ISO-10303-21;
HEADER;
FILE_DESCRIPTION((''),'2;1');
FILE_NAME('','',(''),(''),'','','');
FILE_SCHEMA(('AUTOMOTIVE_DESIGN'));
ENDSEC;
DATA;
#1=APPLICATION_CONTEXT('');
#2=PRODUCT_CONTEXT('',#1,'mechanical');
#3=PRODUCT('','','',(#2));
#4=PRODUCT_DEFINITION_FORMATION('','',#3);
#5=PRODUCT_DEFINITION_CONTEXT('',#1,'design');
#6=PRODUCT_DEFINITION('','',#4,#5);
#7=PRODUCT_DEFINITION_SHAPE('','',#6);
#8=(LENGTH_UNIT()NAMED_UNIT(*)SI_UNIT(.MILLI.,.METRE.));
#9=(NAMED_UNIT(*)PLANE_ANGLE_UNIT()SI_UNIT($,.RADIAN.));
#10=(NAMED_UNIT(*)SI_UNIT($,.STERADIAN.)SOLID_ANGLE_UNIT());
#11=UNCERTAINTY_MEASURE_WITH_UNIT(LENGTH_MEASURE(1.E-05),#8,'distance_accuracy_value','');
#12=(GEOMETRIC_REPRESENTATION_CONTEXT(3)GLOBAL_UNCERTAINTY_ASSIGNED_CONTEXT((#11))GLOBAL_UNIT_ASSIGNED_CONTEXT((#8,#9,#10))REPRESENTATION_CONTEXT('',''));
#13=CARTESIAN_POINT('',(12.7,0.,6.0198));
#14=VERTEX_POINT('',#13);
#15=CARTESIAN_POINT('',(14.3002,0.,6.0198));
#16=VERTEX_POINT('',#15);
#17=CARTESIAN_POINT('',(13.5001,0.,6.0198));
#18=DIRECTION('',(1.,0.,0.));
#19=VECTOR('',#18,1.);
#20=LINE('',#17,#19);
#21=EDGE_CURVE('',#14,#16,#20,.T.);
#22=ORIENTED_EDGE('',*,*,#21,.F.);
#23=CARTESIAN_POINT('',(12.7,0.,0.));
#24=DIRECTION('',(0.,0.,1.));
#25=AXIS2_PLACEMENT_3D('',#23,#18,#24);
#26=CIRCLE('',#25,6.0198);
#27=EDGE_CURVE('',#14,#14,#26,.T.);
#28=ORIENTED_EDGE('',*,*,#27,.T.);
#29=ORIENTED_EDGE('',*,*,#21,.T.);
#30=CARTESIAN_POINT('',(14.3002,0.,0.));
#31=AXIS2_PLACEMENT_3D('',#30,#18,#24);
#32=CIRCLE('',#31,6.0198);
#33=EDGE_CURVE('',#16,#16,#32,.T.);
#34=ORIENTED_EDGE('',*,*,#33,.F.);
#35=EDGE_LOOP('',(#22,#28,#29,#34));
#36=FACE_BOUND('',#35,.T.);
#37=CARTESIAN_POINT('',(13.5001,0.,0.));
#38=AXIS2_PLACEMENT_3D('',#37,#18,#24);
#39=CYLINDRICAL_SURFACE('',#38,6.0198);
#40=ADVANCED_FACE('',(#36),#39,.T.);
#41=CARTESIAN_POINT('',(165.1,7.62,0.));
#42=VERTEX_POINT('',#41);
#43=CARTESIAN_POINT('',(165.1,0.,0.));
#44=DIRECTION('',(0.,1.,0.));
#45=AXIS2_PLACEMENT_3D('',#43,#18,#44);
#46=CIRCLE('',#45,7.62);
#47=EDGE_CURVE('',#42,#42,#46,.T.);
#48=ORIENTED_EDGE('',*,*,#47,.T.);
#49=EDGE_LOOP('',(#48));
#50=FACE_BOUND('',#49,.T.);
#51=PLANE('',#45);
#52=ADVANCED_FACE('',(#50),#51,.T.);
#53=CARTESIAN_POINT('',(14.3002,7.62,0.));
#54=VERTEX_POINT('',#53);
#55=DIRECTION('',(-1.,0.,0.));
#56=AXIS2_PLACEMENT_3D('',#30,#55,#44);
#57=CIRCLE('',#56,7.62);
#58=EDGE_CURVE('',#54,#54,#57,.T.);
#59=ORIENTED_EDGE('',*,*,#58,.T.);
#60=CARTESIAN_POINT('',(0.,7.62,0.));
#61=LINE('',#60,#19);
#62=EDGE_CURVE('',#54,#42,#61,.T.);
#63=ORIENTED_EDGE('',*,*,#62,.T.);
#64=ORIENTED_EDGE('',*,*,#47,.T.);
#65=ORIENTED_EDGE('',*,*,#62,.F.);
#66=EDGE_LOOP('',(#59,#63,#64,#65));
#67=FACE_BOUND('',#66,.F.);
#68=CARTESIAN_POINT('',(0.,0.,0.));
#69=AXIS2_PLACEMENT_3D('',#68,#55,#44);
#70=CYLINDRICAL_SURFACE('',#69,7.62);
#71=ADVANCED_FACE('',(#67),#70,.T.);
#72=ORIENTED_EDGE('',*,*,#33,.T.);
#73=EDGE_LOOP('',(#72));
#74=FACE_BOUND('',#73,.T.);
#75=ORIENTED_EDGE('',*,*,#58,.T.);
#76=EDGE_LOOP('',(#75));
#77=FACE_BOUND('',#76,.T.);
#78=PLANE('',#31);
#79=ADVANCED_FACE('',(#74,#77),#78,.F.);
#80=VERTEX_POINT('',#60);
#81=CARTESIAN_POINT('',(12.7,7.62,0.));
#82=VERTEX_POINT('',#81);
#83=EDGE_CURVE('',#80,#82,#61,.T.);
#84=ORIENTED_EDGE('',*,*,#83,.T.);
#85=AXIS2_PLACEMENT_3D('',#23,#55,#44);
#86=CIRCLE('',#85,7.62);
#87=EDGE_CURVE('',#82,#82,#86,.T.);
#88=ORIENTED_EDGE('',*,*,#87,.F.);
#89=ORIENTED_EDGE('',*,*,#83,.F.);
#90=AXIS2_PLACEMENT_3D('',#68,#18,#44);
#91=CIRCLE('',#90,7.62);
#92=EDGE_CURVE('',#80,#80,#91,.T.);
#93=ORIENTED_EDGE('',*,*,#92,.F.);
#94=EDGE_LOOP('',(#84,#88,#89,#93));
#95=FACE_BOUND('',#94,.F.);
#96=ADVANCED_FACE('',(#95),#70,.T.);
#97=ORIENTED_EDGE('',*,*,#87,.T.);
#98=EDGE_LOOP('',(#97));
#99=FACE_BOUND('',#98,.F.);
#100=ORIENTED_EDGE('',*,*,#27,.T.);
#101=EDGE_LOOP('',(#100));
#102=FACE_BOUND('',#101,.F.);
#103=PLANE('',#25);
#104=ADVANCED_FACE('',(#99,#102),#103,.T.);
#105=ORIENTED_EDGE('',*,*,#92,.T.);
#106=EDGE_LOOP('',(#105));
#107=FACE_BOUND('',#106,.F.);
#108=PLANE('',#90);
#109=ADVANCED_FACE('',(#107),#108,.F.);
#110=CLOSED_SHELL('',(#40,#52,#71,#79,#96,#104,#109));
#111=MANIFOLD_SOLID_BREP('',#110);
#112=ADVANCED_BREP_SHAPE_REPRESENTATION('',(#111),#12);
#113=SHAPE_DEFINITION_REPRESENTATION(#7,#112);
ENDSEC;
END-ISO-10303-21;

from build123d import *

# Parameters (mm, degrees)
F0_R     = 7.62
F1_DEPTH = 165.1
F2_W     = 1.6002
F2_H     = 1.6002


with BuildPart() as f1:
    # F0 (on Right) → F1 (new body)
    with BuildSketch(Plane.YZ):
        Circle(F0_R)
    extrude(amount=F1_DEPTH)

    # F2 (on Front) → F3 (revolve, cut)
    with BuildSketch(Plane.XZ):
        with Locations((13.5001, 6.8199)):
            Rectangle(F2_W, F2_H)
    revolve(axis=Axis((9.242161, 0, 0), (1, 0, 0)), mode=Mode.SUBTRACT)


solid = f1.part
